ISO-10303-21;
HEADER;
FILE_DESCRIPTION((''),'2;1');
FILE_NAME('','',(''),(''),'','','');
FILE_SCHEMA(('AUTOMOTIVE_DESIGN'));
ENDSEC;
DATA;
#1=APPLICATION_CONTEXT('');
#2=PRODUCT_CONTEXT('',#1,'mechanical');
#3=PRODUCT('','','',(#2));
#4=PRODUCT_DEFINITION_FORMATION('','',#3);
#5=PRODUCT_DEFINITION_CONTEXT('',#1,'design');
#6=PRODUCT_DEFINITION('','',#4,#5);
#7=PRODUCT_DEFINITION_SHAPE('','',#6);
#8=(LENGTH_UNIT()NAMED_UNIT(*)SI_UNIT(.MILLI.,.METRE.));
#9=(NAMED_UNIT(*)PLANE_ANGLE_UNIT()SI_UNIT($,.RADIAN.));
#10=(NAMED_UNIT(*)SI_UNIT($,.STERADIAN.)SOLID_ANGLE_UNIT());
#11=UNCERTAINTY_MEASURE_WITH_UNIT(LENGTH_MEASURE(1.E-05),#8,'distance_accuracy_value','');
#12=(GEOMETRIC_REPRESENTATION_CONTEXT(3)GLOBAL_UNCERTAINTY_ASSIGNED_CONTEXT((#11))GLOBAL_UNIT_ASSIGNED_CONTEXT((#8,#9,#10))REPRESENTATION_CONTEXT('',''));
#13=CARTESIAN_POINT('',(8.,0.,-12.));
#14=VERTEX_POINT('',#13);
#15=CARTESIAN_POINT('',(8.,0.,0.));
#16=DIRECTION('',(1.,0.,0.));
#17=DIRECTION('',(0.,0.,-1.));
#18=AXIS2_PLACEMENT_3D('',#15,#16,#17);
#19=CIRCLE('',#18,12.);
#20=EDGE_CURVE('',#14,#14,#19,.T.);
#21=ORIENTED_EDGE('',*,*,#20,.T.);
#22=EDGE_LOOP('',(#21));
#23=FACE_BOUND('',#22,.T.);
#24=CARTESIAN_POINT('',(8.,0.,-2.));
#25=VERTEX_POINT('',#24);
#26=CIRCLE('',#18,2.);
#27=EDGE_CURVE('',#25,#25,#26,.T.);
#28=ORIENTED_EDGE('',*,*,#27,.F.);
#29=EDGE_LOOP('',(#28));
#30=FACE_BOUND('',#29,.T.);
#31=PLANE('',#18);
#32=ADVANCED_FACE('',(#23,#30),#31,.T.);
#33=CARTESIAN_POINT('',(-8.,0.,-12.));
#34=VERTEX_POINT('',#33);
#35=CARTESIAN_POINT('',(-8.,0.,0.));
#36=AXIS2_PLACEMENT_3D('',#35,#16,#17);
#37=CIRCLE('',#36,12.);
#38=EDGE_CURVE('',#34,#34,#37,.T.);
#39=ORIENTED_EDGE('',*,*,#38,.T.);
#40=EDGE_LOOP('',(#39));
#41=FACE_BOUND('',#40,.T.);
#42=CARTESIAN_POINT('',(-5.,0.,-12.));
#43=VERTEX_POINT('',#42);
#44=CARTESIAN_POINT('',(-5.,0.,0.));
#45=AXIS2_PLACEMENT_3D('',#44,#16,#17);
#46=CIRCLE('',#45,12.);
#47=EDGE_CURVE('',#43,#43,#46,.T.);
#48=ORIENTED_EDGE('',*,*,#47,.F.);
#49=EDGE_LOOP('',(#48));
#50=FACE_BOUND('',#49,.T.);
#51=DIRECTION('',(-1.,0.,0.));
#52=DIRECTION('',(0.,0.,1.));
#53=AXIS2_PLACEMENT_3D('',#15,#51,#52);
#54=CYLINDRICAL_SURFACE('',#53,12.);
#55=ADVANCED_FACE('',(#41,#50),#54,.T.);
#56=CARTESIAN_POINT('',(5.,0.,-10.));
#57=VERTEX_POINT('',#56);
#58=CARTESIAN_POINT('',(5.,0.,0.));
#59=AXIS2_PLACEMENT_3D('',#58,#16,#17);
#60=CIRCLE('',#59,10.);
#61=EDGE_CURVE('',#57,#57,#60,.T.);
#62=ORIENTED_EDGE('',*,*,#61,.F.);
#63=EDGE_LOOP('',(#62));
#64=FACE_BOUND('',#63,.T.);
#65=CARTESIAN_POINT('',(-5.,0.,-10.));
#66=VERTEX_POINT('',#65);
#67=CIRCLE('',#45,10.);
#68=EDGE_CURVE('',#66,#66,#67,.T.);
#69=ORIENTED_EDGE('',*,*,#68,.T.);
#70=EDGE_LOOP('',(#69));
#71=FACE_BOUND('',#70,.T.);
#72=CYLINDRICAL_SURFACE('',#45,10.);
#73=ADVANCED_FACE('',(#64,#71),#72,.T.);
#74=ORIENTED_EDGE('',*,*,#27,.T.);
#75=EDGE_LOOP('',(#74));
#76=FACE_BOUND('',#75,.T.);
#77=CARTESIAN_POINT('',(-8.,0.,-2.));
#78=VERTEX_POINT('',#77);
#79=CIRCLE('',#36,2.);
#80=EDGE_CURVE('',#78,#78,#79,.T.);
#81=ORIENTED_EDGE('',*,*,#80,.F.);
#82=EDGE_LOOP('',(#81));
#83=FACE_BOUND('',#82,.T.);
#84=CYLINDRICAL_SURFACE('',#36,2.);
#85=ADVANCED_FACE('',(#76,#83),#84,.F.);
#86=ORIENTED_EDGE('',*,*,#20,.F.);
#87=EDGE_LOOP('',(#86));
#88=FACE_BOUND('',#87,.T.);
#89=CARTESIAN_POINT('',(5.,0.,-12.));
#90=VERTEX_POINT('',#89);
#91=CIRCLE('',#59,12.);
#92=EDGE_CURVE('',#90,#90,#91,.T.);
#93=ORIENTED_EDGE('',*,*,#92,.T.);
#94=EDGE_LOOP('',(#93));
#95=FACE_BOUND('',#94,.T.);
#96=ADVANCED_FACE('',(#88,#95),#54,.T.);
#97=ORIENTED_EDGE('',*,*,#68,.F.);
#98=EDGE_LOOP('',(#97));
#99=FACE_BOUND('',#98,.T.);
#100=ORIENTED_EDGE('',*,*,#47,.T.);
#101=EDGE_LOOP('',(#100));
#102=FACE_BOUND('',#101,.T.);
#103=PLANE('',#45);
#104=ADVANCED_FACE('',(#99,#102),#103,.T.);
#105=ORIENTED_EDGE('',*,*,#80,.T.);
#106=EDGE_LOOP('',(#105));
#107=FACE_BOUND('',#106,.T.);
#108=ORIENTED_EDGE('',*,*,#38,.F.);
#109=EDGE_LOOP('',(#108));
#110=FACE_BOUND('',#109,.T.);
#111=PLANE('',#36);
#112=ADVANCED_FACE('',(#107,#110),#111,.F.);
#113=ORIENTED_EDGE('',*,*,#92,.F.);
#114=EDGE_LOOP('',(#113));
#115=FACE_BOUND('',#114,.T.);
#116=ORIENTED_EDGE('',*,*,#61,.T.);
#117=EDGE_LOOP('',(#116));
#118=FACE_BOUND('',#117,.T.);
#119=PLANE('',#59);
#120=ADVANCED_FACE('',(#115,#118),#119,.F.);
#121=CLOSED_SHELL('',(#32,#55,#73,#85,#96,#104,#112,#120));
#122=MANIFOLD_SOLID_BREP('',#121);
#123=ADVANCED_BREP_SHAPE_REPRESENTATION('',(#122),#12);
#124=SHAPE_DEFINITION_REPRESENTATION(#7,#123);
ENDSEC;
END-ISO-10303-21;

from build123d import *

# Parameters (mm, degrees)
SKETCH_2_R               = 12
EXTRUDE_1_DEPTH          = 8
SKETCH_3_R               = 12
SKETCH_3_R_2             = 10
CUT_EXTRUDE_1_DEPTH      = 5
CUT_EXTRUDE_2_DEPTH      = 19.761663039
CUT_EXTRUDE_2_DEPTH_BACK = 19.761663039
SKETCH_4_R               = 2


with BuildPart() as part:
    # 草图2 → 凸台-拉伸1 (new, symmetric)
    with BuildSketch(Plane(origin=(0, 0, 0), x_dir=(0, 0, -1), z_dir=(1, 0, 0))):
        Circle(SKETCH_2_R)
    extrude(amount=EXTRUDE_1_DEPTH, both=True)

    # 草图3 → 切除-拉伸1 (cut, symmetric)
    with BuildSketch(Plane(origin=(0, 0, 0), x_dir=(0, 0, -1), z_dir=(1, 0, 0))):
        Circle(SKETCH_3_R)
        Circle(SKETCH_3_R_2, mode=Mode.SUBTRACT)
    extrude(amount=CUT_EXTRUDE_1_DEPTH, both=True, mode=Mode.SUBTRACT)

    # 草图4 → 切除-拉伸2 (cut, two sides: drawn at the far end of the back side and taken through both)
    with BuildSketch(Plane(origin=(0, 0, 0), x_dir=(0, 0, -1), z_dir=(1, 0, 0)).offset(-CUT_EXTRUDE_2_DEPTH_BACK)):
        Circle(SKETCH_4_R)
    extrude(amount=CUT_EXTRUDE_2_DEPTH + CUT_EXTRUDE_2_DEPTH_BACK, mode=Mode.SUBTRACT)


solid = part.part
